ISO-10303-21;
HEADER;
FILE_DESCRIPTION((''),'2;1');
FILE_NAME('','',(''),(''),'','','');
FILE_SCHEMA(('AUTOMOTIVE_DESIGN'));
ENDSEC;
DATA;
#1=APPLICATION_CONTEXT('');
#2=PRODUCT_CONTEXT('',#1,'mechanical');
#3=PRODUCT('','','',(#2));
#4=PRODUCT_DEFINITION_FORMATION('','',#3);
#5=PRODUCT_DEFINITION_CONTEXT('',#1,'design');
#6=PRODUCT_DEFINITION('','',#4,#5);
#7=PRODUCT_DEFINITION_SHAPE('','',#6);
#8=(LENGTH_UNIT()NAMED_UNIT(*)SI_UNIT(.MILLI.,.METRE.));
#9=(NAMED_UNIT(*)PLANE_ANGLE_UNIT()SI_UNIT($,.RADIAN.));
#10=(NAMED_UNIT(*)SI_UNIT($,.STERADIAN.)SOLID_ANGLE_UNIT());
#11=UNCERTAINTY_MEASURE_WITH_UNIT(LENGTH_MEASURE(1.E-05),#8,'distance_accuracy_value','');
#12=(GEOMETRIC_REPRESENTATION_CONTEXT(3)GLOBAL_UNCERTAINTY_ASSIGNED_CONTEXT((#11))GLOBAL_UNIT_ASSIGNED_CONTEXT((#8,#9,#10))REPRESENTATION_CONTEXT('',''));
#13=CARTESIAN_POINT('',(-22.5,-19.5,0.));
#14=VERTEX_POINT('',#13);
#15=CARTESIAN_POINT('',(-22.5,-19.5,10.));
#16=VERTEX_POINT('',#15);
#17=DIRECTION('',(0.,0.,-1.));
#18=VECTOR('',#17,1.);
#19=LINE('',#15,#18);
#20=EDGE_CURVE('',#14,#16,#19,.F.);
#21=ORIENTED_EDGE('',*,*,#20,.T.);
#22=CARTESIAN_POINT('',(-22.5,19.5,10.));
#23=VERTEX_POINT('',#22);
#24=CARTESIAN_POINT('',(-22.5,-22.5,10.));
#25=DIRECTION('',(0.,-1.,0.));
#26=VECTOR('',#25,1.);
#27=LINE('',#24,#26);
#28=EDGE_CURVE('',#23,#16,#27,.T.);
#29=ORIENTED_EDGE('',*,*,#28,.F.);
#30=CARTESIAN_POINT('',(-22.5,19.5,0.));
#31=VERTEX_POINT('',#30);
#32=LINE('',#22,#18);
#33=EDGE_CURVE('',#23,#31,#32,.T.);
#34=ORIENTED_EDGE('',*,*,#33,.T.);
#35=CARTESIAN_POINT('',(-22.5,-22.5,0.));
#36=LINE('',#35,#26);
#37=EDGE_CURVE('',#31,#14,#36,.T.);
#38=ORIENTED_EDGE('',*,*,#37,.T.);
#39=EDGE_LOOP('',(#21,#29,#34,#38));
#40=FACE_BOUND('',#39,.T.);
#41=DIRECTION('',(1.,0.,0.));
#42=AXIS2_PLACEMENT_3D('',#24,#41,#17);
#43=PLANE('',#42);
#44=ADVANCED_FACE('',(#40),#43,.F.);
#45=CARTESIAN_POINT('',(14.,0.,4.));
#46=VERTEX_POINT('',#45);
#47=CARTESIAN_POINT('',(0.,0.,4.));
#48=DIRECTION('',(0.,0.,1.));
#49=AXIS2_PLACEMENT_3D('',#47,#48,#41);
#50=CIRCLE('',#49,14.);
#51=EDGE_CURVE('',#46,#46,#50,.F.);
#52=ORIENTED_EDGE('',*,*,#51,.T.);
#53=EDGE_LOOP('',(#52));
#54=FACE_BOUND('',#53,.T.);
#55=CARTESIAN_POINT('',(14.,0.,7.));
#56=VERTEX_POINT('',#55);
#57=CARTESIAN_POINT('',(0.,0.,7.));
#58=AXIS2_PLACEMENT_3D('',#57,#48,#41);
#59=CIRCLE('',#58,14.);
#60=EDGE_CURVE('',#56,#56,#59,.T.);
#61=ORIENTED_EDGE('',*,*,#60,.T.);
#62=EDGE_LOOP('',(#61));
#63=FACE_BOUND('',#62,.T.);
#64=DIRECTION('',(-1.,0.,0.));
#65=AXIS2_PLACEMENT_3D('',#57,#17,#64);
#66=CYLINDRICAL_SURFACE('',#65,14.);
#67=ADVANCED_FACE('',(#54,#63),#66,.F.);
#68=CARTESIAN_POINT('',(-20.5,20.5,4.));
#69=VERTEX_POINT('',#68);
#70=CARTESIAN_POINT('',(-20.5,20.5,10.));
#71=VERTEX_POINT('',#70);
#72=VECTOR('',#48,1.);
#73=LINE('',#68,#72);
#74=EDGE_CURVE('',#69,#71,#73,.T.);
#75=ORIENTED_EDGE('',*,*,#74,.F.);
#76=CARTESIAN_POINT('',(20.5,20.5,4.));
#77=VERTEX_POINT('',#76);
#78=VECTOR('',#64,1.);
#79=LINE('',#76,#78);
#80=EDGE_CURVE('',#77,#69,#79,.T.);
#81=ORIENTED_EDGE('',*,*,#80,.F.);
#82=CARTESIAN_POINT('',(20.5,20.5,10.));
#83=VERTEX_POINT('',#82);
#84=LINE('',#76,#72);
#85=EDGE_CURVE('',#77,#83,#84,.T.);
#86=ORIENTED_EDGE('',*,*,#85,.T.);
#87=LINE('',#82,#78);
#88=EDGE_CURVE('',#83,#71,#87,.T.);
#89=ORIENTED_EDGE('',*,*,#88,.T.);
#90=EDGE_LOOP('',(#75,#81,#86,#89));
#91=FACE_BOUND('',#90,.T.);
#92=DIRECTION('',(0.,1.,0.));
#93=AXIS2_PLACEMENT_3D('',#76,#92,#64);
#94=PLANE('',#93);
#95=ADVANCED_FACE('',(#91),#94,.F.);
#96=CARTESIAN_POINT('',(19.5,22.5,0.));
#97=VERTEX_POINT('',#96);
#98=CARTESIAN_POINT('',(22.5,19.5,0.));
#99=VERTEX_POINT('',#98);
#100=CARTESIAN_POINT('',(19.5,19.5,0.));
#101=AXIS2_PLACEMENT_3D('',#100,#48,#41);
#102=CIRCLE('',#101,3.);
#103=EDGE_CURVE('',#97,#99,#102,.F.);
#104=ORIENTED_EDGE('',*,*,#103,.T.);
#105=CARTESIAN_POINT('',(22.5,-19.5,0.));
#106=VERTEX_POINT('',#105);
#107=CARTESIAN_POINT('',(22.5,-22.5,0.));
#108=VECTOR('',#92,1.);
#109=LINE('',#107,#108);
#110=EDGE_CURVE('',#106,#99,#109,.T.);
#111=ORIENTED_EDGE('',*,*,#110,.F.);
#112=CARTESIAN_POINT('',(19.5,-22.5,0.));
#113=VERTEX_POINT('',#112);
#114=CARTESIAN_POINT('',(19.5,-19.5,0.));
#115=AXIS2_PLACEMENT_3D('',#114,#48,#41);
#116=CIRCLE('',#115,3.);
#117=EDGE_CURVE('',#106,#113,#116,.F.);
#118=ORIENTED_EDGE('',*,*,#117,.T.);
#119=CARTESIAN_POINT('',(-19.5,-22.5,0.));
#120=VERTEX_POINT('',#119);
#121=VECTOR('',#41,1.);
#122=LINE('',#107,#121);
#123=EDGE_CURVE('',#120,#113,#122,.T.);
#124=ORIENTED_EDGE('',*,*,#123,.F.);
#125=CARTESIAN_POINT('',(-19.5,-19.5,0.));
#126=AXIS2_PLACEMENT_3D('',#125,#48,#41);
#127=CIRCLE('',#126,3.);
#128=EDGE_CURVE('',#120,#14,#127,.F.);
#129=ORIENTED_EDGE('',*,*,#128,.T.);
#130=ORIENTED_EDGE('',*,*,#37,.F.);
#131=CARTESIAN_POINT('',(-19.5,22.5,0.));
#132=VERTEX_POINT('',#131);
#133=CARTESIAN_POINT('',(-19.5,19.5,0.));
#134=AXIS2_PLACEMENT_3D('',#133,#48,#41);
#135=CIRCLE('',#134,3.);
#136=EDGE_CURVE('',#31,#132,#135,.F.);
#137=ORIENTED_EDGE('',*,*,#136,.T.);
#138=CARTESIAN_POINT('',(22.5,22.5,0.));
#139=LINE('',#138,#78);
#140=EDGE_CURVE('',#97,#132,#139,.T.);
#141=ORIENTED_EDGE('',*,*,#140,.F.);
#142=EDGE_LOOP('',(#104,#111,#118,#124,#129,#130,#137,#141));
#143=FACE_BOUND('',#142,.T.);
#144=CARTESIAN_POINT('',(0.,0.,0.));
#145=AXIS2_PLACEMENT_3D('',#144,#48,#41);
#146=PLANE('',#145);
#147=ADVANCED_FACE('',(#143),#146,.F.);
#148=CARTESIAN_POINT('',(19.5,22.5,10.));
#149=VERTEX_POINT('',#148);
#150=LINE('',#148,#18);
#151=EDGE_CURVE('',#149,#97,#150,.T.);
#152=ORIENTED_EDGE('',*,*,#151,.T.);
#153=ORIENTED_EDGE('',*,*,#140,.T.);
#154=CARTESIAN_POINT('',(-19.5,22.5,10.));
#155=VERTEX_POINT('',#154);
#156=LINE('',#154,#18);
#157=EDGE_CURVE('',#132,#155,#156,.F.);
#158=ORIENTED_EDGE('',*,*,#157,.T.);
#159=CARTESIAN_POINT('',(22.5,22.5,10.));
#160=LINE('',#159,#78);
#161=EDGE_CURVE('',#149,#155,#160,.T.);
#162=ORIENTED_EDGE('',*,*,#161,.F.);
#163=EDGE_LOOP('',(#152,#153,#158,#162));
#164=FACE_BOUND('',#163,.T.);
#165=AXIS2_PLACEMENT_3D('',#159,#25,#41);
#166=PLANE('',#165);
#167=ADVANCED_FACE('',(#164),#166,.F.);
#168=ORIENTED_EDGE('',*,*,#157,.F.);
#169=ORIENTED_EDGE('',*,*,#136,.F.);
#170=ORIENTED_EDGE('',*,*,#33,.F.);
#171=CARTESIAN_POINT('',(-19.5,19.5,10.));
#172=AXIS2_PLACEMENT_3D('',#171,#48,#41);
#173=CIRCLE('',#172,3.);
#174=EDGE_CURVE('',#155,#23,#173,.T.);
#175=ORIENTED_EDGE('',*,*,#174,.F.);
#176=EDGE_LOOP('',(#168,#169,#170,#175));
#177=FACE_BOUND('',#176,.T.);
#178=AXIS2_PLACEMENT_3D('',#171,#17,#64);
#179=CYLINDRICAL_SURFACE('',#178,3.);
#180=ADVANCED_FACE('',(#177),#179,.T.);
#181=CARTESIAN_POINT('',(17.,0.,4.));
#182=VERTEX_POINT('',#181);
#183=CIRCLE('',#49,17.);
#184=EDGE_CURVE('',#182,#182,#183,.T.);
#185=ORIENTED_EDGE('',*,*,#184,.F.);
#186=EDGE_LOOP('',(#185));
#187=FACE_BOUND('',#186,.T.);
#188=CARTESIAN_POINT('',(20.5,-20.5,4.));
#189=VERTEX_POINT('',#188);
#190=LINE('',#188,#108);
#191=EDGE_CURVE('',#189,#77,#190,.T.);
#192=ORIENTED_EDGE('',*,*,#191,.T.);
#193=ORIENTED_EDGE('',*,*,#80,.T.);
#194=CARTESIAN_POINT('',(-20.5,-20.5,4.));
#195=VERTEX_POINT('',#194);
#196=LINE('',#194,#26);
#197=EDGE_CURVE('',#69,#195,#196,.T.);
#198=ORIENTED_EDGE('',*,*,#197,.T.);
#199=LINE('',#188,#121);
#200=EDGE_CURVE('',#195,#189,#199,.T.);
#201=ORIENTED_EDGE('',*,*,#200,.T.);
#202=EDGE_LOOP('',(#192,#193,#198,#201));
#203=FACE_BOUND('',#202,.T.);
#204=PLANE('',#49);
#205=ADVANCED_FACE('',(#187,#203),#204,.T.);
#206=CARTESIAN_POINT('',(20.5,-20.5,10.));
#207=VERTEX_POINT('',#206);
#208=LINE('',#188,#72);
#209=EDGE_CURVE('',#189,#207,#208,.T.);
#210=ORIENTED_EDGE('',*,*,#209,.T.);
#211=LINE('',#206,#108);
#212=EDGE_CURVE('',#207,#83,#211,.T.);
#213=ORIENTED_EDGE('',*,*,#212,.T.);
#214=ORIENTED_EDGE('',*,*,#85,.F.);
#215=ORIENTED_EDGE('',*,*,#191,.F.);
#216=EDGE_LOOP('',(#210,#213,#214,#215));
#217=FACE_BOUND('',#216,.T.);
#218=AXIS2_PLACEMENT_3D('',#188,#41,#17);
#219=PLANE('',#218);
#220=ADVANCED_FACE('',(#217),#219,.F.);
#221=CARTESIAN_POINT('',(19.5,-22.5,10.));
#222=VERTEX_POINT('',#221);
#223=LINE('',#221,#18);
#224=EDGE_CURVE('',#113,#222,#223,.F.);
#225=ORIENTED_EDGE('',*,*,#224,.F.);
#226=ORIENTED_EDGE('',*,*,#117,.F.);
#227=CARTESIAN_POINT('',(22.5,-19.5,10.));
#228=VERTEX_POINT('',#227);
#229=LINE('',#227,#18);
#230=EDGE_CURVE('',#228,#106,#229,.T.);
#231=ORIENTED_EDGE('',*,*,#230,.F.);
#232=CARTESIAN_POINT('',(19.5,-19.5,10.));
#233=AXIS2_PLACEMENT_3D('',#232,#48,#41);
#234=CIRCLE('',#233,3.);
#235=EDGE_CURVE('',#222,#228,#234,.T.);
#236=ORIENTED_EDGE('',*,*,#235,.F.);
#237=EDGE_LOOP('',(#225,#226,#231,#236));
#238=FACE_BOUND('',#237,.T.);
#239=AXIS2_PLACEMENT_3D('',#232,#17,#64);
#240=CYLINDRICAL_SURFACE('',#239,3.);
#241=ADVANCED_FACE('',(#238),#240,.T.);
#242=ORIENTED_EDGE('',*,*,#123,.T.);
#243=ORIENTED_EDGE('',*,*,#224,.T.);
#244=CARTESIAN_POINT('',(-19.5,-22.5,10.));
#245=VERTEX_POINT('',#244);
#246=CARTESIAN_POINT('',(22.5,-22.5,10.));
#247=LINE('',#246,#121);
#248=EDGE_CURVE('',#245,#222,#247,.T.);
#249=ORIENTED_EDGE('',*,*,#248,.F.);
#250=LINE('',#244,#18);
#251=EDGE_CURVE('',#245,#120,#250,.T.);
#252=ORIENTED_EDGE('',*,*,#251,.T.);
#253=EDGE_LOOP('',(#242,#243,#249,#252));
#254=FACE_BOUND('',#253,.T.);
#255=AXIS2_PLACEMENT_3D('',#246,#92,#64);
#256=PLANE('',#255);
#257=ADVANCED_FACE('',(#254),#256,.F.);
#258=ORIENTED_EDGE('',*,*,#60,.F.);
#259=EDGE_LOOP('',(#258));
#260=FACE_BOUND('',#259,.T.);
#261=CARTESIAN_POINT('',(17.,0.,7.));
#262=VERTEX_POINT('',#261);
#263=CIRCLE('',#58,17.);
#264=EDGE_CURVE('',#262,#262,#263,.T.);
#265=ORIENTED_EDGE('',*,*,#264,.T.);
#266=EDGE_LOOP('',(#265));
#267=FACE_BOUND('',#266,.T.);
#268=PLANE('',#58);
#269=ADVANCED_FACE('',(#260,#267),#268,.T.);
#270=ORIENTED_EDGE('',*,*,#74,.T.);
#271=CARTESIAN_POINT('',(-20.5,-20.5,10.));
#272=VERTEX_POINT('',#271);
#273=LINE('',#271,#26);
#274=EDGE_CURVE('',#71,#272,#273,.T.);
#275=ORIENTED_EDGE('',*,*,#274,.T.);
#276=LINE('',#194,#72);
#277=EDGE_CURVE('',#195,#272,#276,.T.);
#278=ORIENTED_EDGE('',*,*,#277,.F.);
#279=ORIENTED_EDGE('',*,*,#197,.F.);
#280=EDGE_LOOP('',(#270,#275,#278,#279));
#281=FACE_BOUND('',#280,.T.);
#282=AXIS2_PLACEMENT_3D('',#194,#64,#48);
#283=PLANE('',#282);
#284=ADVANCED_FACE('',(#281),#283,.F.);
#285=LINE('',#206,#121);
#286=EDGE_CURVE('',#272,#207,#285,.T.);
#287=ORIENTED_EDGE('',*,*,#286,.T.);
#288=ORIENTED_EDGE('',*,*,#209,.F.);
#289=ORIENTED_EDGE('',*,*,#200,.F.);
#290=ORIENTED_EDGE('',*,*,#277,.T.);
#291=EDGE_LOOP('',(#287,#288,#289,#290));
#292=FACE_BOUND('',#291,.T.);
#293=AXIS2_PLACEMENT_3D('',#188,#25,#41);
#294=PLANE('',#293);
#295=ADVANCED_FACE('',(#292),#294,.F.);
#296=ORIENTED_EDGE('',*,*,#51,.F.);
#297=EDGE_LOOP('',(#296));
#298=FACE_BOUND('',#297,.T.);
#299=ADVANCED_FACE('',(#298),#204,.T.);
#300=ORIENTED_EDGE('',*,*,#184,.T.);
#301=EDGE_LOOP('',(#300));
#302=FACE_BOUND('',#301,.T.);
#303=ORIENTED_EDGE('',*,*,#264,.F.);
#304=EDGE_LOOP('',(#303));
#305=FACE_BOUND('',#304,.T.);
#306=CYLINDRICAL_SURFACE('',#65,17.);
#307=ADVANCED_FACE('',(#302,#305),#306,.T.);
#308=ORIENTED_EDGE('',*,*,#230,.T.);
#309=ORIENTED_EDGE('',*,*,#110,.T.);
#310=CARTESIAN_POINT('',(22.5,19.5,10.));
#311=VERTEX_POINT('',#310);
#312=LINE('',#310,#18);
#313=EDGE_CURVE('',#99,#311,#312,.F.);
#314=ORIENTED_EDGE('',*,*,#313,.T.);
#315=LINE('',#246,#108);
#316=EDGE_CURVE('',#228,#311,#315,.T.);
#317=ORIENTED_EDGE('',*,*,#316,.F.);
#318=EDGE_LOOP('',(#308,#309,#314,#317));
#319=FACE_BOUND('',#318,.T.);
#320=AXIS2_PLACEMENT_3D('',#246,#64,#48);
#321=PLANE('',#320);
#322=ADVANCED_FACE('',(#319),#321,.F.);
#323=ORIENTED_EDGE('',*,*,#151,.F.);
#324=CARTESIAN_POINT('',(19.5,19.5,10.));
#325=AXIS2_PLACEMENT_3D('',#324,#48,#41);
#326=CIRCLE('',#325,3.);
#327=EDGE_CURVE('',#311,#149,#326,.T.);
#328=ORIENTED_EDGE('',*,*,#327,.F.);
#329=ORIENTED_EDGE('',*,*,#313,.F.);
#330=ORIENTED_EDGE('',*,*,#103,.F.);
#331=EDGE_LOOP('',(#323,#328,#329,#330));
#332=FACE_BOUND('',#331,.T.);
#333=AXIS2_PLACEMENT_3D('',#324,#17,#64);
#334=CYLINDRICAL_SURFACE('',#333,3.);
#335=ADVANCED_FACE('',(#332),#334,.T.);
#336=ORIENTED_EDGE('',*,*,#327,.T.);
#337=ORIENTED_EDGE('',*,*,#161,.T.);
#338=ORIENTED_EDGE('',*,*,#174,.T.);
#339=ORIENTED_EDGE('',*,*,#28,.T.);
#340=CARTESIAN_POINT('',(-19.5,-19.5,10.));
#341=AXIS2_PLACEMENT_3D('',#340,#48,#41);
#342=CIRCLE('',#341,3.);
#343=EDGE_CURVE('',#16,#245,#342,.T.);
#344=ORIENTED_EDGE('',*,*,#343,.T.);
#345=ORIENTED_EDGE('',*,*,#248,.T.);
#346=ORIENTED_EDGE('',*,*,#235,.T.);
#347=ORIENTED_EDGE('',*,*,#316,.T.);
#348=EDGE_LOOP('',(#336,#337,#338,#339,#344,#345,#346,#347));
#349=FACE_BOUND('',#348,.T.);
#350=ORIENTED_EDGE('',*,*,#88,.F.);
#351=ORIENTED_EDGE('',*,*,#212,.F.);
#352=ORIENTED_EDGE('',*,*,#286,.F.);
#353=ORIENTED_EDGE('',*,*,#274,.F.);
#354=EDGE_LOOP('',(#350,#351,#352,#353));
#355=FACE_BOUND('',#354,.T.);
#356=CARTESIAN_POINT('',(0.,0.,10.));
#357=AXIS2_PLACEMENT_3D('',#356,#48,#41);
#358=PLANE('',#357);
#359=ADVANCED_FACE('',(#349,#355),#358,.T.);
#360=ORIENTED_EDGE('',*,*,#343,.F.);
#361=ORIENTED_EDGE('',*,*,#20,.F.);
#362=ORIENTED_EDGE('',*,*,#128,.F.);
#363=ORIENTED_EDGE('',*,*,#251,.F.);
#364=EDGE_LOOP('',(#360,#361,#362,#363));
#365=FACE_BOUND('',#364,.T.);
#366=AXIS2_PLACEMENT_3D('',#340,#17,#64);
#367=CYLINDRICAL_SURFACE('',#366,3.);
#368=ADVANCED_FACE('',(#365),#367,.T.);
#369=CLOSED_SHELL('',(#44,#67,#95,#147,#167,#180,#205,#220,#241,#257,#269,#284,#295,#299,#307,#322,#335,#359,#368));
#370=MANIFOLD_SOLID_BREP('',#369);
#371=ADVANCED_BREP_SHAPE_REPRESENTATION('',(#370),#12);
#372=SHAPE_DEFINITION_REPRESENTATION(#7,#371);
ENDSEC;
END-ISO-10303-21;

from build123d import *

# Parameters (mm, degrees)
SKETCH1_W           = 45
SKETCH1_H           = 45
BOSS_EXTRUDE1_DEPTH = 10
SKETCH2_W           = 41
SKETCH2_H           = 41
CUT_EXTRUDE1_DEPTH  = 6
SKETCH3_R           = 17
SKETCH3_R_2         = 14
BOSS_EXTRUDE2_DEPTH = 3
FILLET2_R           = 3


with BuildPart() as part:
    # Sketch1 → Boss-Extrude1 (new body)
    with BuildSketch(Plane.XY):
        Rectangle(SKETCH1_W, SKETCH1_H)
    extrude(amount=BOSS_EXTRUDE1_DEPTH)

    # Sketch2 → Cut-Extrude1 (cut)
    with BuildSketch(Plane.XY.offset(10)):
        Rectangle(SKETCH2_W, SKETCH2_H)
    extrude(amount=-CUT_EXTRUDE1_DEPTH, mode=Mode.SUBTRACT)

    # Sketch3 → Boss-Extrude2 (add)
    with BuildSketch(Plane.XY.offset(4)):
        Circle(SKETCH3_R)
        Circle(SKETCH3_R_2, mode=Mode.SUBTRACT)
    extrude(amount=BOSS_EXTRUDE2_DEPTH)

    # Fillet2
    fillet2_edges = [part.edges().sort_by_distance(p)[0] for p in [
        (-22.5, 22.5, 5),
        (22.5, 22.5, 5),
        (22.5, -22.5, 5),
        (-22.5, -22.5, 5),
    ]]
    fillet(fillet2_edges, radius=FILLET2_R)


solid = part.part
